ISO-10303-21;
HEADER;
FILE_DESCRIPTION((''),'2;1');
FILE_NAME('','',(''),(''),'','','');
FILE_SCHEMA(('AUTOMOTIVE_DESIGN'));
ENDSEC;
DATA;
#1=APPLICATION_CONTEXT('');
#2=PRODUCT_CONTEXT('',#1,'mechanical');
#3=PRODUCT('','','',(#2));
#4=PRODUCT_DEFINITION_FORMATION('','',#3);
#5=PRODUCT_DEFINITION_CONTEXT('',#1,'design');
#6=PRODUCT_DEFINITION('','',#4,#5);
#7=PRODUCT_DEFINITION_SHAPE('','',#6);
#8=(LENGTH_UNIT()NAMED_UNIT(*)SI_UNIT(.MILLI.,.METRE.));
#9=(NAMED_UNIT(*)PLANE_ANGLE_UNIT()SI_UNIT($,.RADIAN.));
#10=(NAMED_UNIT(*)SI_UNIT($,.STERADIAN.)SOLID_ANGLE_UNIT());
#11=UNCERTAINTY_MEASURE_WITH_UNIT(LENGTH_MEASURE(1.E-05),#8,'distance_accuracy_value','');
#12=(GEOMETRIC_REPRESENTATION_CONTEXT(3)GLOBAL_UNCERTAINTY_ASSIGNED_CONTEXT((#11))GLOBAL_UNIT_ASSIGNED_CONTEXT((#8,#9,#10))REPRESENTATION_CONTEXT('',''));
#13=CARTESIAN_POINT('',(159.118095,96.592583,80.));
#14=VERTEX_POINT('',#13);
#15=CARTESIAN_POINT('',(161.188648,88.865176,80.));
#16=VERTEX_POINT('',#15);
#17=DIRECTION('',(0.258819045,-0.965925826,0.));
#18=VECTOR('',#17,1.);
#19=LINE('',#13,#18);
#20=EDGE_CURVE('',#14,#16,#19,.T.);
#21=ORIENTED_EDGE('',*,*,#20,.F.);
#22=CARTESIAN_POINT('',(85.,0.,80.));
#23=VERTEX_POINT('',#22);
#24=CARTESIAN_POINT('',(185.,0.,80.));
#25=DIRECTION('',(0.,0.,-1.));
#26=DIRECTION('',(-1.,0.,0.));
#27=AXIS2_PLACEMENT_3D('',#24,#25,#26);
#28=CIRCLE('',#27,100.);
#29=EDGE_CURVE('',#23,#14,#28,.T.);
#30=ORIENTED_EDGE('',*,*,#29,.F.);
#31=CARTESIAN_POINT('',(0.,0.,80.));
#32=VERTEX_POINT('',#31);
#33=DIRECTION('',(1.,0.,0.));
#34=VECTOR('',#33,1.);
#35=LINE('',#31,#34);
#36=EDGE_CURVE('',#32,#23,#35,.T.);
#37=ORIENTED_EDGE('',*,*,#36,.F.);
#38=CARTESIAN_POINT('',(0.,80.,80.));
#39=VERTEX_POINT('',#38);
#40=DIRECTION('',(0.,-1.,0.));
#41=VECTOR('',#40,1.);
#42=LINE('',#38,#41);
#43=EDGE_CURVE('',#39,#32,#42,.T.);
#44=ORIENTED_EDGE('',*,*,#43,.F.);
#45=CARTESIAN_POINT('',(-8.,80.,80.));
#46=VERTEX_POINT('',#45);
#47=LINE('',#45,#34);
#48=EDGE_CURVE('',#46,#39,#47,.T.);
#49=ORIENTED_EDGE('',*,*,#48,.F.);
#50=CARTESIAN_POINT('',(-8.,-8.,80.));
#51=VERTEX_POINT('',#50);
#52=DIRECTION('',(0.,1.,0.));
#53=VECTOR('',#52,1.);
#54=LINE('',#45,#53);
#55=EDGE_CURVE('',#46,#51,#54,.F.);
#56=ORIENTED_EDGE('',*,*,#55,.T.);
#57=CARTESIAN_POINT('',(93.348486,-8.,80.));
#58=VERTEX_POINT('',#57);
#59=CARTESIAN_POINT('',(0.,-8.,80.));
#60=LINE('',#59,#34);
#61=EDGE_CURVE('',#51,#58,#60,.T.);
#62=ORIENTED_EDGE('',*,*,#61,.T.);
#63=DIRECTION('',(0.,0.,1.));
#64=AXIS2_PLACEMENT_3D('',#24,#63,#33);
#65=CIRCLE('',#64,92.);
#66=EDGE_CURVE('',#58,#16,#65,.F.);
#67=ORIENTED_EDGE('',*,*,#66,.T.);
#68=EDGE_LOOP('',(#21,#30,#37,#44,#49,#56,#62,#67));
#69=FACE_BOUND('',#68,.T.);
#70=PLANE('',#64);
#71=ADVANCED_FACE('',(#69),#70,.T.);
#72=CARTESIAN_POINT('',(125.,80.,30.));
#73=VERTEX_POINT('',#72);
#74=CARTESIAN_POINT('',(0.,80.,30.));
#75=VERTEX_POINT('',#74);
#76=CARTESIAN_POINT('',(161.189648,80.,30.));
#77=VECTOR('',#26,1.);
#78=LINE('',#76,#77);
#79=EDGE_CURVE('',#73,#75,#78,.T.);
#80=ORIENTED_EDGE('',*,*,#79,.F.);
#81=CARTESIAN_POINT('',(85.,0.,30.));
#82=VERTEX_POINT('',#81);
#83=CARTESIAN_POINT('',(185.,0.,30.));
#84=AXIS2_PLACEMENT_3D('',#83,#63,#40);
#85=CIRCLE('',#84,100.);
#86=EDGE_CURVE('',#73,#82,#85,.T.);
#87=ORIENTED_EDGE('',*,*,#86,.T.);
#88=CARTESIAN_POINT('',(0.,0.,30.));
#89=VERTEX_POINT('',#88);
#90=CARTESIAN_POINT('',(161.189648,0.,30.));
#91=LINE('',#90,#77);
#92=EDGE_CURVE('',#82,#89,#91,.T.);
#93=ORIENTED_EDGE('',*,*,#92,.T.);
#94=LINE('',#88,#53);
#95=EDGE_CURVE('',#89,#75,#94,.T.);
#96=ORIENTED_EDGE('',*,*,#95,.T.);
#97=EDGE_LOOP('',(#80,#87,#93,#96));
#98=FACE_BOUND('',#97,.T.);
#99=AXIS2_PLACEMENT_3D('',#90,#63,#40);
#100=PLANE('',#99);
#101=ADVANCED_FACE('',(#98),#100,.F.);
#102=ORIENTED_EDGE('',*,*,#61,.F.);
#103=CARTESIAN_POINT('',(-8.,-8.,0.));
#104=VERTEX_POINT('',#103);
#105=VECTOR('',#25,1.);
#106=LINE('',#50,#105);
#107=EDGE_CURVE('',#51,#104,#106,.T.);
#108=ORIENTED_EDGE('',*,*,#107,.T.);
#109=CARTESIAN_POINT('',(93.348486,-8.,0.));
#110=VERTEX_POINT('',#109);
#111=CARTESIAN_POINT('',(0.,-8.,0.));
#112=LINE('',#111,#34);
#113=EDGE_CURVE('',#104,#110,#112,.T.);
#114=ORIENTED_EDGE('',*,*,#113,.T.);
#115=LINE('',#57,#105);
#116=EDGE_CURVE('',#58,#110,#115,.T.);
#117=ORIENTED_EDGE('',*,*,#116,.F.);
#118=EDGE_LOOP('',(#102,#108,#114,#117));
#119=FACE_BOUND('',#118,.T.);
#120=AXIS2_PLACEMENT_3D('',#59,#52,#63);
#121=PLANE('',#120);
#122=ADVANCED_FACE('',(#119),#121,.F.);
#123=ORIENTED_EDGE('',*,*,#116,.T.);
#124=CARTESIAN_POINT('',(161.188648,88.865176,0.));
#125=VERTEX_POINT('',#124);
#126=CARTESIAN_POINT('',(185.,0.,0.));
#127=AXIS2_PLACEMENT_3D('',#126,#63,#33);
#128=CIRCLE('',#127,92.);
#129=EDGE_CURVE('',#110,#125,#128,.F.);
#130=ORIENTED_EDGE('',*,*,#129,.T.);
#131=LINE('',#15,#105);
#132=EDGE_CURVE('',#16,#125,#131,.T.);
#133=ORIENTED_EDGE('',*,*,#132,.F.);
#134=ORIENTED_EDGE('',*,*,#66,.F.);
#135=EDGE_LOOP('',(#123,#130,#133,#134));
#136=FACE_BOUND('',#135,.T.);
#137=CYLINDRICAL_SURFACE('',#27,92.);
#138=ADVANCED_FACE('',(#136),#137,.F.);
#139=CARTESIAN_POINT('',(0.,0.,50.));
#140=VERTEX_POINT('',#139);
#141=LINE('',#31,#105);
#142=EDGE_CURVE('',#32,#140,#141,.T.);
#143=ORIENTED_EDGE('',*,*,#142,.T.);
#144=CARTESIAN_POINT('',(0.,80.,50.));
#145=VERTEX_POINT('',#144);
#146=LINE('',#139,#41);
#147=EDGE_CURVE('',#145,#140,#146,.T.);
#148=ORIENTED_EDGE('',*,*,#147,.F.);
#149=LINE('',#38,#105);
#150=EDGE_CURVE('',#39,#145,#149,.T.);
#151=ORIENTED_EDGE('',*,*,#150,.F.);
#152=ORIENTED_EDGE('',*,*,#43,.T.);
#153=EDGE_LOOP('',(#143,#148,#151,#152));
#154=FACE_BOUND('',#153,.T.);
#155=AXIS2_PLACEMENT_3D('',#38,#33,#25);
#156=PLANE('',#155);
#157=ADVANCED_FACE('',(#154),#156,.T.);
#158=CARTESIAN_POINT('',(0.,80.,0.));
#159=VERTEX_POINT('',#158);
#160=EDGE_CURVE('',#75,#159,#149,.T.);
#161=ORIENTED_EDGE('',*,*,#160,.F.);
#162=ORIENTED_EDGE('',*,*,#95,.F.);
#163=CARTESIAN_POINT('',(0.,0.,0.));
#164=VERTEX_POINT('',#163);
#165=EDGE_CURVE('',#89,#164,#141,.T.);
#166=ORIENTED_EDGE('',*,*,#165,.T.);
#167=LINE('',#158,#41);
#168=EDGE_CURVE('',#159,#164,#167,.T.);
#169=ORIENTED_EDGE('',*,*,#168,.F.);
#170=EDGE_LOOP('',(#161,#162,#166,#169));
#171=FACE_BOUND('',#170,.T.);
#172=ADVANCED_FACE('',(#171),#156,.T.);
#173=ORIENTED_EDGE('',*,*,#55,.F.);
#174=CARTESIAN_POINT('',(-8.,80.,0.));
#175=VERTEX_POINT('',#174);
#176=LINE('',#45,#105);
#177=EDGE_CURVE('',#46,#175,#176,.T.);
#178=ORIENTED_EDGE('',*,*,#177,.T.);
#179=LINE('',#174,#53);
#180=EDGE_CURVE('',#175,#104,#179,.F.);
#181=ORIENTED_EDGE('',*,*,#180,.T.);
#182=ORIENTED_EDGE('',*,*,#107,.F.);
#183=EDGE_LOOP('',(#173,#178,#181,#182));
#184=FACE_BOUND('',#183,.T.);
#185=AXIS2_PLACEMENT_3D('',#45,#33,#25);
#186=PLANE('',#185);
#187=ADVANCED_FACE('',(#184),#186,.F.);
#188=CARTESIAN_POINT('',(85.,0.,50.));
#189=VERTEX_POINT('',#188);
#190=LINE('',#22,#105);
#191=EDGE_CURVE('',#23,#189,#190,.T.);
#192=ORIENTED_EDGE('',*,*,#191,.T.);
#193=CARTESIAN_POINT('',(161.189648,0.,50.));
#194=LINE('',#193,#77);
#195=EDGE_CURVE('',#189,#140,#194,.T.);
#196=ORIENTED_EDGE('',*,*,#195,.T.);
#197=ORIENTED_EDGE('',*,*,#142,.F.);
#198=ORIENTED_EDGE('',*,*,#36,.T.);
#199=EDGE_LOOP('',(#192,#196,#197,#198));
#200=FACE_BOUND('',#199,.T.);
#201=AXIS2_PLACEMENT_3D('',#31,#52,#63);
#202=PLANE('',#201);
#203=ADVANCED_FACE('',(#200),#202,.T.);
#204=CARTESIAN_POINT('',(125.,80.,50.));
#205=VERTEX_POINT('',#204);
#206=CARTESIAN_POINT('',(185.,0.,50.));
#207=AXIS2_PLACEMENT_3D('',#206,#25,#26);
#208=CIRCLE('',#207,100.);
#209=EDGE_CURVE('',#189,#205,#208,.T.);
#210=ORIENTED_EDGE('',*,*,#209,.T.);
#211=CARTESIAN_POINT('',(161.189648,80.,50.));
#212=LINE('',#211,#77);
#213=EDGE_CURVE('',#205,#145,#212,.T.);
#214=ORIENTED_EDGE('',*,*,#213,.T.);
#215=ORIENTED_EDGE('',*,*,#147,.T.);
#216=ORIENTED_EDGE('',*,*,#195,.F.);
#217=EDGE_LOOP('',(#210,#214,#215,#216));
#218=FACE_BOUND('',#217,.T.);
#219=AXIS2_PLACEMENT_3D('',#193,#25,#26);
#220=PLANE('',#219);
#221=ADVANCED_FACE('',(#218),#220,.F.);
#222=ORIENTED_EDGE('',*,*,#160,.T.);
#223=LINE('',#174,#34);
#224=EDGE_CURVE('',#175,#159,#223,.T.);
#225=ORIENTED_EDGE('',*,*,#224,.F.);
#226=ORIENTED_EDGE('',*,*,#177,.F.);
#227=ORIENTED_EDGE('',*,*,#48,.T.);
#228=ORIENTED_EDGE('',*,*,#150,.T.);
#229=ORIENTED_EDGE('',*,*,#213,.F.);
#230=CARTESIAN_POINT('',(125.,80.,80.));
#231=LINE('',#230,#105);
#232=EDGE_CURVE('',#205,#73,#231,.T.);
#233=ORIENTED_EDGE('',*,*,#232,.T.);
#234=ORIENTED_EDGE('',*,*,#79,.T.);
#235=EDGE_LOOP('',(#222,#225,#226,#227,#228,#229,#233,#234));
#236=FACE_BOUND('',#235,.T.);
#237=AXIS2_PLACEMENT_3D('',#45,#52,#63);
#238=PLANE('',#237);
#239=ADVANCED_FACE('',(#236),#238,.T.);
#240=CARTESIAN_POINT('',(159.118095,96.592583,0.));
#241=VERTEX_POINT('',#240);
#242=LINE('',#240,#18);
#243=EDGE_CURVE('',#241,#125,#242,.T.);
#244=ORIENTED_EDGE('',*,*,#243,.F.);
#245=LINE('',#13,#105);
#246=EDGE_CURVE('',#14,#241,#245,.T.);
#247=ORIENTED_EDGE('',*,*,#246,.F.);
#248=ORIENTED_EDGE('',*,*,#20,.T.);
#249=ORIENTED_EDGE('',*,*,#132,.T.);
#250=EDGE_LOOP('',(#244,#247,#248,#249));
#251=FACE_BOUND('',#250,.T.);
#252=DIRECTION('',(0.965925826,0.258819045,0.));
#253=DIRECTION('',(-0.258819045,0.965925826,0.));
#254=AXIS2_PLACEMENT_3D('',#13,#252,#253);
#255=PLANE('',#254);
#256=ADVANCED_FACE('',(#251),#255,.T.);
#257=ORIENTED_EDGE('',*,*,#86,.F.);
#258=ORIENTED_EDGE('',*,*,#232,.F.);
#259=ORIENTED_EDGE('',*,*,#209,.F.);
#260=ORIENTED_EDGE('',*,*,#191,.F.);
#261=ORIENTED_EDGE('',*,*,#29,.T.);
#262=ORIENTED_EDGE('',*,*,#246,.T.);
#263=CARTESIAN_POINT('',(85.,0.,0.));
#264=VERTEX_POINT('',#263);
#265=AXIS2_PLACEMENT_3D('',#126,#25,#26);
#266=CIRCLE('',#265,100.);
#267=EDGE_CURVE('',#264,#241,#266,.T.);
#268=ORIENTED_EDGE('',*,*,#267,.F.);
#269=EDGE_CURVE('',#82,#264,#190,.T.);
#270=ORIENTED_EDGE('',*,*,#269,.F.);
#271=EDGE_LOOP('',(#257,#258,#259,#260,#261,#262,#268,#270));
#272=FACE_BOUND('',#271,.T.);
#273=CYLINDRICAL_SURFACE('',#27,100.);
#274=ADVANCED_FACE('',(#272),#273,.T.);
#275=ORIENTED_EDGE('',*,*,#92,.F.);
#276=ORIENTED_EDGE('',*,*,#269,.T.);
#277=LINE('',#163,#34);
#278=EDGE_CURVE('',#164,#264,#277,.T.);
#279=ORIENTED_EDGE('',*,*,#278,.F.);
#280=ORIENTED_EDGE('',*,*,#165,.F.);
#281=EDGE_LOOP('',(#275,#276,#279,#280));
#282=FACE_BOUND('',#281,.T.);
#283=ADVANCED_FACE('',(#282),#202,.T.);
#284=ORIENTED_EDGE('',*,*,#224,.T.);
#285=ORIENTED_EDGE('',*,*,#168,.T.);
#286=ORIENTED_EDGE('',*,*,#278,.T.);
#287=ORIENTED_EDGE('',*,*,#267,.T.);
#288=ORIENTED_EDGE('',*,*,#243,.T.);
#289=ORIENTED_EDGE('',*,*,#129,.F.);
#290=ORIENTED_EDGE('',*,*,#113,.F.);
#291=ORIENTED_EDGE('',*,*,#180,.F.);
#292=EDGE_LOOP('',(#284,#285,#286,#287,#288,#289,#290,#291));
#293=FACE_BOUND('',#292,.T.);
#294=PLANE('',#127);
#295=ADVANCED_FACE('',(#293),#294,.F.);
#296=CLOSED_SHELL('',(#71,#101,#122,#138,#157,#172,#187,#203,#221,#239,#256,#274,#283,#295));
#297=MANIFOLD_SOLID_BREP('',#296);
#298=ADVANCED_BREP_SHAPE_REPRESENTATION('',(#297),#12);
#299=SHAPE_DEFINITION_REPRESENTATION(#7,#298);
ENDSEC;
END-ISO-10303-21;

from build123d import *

# Parameters (mm, degrees)
EXTRUDE_THIN1_DEPTH = 80
BOSS_EXTRUDE1_REACH = 163.189
SKETCH2_W           = 20
SKETCH2_H           = 80


with BuildPart() as part:
    # Sketch1 → Extrude-Thin1 (new body)
    with BuildSketch(Plane.XY):
        with BuildLine():
            Line((0, 80), (0, 0))
            Line((0, 0), (85, 0))
            ThreePointArc((85, 0), (105.664665971, 60.876142901), (159.11809549, 96.592582629))
            Line((159.11809549, 96.592582629), (161.188647851, 88.865176019))
            ThreePointArc((161.188647851, 88.865176019), (109.643288684, 52.776567335), (93.348486101, -8))
            Line((93.348486101, -8), (-8, -8))
            Line((-8, -8), (-8, 80))
            Line((-8, 80), (0, 80))
        make_face()
    extrude(amount=EXTRUDE_THIN1_DEPTH)

    # Sketch2 → Boss-Extrude1 (add, up to next)
    with BuildSketch(Plane(origin=(0, 0, 0), x_dir=(0, 0, -1), z_dir=(1, 0, 0)), mode=Mode.PRIVATE) as boss_extrude1_sk1:
        with Locations((-40, 40)):
            Rectangle(SKETCH2_W, SKETCH2_H)
    boss_extrude1_tool1 = extrude(boss_extrude1_sk1.sketch, amount=BOSS_EXTRUDE1_REACH, mode=Mode.PRIVATE) - part.part
    add(boss_extrude1_tool1.solids().sort_by_distance((0, 40, 40))[0])


solid = part.part
